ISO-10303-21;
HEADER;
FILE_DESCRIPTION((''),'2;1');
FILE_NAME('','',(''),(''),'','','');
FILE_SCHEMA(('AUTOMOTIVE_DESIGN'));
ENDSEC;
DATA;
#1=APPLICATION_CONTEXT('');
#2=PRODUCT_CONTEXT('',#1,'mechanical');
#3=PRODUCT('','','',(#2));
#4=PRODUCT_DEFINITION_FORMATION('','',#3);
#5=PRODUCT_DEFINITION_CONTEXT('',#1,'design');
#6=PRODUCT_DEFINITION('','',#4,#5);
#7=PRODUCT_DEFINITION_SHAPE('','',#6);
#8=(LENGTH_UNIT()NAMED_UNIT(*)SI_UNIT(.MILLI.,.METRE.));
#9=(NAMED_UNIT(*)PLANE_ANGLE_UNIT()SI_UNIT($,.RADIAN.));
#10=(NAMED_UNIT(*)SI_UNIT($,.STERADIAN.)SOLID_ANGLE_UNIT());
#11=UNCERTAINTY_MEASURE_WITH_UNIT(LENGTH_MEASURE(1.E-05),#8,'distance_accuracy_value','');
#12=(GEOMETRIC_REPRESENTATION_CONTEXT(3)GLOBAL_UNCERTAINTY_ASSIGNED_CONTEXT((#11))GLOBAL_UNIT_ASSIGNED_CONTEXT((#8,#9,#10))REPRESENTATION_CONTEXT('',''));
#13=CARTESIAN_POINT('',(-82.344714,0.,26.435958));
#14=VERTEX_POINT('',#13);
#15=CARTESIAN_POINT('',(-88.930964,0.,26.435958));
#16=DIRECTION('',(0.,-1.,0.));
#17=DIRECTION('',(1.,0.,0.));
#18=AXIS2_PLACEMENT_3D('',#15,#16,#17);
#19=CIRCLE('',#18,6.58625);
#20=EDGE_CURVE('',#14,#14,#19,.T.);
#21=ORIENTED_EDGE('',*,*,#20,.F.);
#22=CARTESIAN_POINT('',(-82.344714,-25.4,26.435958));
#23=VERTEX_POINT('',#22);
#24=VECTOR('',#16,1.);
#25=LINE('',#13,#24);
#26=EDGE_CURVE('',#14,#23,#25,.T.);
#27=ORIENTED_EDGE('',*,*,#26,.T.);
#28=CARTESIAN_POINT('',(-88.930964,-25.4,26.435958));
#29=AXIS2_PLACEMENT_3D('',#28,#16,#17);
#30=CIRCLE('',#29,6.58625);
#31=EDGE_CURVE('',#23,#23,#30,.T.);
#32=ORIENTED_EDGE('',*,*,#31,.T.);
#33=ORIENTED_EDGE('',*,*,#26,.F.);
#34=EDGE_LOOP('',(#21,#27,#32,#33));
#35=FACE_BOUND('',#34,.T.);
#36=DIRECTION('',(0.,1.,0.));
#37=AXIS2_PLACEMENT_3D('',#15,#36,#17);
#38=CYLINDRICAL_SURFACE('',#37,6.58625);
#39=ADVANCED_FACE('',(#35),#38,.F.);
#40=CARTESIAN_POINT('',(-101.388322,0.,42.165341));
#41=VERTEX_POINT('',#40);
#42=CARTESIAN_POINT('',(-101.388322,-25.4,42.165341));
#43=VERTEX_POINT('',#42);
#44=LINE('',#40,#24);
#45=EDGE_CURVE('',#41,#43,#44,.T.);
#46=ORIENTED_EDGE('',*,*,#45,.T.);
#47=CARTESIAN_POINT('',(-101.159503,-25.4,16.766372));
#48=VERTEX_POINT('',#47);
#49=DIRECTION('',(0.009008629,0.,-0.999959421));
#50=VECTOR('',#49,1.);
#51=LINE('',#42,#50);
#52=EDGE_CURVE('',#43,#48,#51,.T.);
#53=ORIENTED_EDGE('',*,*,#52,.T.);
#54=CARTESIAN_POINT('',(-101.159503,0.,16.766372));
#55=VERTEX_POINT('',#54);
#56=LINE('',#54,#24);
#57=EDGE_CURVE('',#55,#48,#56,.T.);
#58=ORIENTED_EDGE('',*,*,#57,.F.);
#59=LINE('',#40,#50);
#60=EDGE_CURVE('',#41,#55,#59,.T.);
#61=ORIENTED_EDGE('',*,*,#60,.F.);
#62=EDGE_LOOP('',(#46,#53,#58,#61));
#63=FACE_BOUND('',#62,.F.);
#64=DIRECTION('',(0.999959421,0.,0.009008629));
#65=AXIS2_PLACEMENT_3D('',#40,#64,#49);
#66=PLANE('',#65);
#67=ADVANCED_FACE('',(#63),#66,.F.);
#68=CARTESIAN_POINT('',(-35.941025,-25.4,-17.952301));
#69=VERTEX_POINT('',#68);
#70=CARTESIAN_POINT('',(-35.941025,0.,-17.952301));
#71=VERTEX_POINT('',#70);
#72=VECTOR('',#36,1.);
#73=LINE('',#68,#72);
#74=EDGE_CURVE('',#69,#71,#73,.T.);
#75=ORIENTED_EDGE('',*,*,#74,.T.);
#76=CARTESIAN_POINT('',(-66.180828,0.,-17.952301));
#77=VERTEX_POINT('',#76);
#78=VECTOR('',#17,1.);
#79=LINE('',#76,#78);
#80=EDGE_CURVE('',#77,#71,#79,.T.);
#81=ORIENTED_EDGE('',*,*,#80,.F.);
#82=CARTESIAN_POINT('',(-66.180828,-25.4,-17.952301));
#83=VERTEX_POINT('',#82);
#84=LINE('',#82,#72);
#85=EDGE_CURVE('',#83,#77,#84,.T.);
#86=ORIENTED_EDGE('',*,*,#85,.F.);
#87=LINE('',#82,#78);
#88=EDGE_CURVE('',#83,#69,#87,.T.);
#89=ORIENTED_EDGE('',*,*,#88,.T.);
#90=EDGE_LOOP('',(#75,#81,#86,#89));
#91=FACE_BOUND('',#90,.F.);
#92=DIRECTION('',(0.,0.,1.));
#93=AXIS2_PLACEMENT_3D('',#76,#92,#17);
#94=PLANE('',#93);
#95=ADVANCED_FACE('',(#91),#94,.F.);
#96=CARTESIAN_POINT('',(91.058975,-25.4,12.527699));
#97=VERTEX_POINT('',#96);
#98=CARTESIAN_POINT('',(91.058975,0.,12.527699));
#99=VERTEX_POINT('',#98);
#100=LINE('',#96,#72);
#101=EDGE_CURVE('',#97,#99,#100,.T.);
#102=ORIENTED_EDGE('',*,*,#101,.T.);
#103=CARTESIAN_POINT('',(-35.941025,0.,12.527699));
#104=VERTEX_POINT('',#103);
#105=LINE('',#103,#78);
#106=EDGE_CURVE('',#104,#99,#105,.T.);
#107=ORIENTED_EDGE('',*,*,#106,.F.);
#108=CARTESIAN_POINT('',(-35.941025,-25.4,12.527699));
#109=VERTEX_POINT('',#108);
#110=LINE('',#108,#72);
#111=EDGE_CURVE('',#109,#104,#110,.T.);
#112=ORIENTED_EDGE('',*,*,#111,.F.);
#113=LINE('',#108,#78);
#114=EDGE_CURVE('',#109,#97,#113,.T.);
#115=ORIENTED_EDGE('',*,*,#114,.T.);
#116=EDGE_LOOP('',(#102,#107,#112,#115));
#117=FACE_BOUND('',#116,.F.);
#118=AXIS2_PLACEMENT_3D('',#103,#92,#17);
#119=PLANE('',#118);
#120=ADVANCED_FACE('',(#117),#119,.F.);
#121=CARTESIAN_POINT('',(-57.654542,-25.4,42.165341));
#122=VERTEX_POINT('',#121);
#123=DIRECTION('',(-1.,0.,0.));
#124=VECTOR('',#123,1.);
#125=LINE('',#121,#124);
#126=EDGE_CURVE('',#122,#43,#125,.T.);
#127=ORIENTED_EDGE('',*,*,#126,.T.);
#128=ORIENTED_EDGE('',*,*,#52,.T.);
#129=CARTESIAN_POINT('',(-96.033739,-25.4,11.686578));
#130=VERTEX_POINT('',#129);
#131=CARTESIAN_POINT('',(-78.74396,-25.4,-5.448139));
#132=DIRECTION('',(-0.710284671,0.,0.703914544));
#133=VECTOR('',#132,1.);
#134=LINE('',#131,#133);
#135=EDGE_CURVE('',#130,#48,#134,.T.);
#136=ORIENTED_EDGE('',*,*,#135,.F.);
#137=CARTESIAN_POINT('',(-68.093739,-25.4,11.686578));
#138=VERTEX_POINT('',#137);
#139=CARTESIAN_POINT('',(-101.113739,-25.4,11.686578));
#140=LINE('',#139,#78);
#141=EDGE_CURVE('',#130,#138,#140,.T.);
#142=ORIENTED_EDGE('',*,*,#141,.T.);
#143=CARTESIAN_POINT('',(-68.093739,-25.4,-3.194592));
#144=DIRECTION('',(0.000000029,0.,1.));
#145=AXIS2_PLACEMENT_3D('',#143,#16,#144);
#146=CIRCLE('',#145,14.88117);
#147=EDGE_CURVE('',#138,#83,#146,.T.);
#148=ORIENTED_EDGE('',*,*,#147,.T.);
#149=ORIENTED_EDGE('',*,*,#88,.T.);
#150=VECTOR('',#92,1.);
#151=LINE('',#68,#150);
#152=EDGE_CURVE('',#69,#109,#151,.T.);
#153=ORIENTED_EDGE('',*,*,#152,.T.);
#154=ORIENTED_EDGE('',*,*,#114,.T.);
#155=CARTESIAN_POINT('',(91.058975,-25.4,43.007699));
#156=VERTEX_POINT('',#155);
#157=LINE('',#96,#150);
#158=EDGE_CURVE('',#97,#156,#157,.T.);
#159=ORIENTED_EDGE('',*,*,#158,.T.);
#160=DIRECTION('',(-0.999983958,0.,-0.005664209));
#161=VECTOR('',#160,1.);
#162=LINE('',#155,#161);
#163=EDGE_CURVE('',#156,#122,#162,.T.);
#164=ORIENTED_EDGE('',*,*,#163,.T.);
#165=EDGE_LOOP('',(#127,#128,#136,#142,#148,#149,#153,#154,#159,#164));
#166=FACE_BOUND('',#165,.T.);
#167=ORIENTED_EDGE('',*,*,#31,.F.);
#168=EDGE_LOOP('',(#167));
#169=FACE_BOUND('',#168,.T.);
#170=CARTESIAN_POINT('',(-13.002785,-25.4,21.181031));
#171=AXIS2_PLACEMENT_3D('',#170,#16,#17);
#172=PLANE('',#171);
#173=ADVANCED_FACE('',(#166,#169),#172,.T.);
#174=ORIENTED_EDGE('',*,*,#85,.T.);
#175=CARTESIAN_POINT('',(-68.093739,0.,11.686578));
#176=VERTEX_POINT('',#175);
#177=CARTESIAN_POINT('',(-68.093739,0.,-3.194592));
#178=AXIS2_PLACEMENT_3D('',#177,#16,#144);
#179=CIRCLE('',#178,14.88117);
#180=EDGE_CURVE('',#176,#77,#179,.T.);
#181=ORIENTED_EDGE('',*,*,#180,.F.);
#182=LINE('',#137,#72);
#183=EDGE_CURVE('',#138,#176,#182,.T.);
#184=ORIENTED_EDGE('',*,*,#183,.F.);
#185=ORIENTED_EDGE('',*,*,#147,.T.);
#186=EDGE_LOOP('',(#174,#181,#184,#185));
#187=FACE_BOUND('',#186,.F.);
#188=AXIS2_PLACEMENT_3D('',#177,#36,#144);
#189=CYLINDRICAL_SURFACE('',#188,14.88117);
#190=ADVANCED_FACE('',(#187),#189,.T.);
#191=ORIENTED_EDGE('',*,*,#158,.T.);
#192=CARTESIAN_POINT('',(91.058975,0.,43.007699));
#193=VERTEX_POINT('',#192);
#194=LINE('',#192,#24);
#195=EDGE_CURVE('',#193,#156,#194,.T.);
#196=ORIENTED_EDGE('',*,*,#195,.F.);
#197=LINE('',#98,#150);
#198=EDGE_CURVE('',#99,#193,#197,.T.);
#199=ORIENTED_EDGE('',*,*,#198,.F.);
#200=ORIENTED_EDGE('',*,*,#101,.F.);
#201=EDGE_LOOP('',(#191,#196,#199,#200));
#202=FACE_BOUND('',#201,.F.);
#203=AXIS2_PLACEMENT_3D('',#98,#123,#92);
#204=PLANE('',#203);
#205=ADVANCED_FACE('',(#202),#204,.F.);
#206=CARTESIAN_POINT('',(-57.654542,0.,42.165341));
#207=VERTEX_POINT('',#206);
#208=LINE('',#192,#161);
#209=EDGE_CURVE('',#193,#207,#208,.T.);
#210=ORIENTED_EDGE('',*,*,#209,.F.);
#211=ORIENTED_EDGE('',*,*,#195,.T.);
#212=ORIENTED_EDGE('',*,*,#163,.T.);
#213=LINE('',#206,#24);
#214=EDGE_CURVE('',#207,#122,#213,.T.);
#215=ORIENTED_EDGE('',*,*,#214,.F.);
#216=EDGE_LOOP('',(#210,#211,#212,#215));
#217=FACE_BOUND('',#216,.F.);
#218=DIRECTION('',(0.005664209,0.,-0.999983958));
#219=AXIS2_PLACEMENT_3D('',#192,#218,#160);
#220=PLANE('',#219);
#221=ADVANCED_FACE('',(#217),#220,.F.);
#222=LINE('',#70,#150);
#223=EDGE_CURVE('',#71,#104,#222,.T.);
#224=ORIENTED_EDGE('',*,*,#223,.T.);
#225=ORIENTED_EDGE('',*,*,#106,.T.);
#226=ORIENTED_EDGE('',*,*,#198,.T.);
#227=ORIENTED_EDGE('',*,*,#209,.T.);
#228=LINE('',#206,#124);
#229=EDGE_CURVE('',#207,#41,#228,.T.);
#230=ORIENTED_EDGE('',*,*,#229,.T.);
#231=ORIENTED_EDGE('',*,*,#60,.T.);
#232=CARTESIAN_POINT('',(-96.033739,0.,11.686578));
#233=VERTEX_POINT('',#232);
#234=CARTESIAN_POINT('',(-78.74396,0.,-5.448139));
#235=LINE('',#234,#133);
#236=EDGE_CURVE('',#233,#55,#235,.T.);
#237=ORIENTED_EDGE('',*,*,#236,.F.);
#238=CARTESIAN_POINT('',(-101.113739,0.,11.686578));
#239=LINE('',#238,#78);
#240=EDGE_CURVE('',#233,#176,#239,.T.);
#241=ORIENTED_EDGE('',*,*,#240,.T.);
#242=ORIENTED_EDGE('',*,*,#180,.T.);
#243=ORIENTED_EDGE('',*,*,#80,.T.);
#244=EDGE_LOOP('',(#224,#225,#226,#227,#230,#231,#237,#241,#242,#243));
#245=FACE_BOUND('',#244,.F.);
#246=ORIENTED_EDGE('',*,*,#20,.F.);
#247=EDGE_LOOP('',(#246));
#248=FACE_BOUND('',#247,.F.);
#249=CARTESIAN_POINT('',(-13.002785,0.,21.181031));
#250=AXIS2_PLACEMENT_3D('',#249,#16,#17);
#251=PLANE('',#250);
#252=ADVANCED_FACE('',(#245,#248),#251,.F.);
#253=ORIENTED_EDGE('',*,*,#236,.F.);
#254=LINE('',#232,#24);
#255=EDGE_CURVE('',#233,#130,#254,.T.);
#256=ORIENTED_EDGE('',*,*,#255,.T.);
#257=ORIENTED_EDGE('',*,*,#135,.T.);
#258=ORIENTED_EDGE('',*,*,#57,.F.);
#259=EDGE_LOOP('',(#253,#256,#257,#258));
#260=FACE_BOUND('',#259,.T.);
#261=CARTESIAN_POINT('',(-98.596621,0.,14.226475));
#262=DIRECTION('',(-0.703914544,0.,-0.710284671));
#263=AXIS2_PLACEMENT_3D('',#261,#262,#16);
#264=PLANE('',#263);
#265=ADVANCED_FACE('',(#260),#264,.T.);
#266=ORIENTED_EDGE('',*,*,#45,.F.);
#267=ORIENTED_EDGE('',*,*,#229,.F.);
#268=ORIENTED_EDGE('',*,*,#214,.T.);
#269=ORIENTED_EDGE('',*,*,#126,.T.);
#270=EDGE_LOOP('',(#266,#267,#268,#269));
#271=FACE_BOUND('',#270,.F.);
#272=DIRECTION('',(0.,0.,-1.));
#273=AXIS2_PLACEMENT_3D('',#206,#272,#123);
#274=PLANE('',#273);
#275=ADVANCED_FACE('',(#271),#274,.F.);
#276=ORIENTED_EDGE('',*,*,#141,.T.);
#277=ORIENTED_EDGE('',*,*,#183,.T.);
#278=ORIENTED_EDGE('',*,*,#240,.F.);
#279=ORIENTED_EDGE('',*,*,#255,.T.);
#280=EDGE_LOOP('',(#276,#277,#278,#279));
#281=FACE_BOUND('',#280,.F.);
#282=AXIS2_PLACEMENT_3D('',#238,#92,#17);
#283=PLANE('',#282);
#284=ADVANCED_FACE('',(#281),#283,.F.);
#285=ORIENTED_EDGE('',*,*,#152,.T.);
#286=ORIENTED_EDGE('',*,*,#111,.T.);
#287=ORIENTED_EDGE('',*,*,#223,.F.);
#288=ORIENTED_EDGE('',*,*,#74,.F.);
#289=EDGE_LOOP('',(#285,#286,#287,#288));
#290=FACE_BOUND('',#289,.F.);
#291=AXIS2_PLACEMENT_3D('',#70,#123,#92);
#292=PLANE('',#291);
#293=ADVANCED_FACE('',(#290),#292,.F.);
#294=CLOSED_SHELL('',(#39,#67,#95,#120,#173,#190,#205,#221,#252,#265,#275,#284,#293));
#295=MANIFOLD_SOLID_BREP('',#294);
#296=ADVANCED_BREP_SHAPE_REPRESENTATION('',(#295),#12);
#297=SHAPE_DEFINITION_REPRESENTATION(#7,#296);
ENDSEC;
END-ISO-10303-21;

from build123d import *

# Parameters (mm, degrees)
F0_R     = 6.58625
F1_DEPTH = 21.082
F2_DEPTH = 25.4
F3_SIZE  = 5.08


with BuildPart() as f1:
    # F0 (on Front) → F1 (new body)
    with BuildSketch(Plane.XZ):
        with BuildLine():
            Line((91.058975, 12.527699), (91.058975, 43.007699))
            Line((91.058975, 43.007699), (-57.654542, 42.165341))
            Line((-57.654542, 42.165341), (-101.388322, 42.165341))
            Line((-101.388322, 42.165341), (-101.113739, 11.686578))
            Line((-101.113739, 11.686578), (-68.093739, 11.686578))
            ThreePointArc((-68.093739, 11.686578), (-82.944012, -4.153037), (-66.180828, -17.952301))
            Line((-66.180828, -17.952301), (-35.941025, -17.952301))
            Line((-35.941025, -17.952301), (-35.941025, 12.527699))
            Line((-35.941025, 12.527699), (91.058975, 12.527699))
        make_face()
        with Locations((-88.930964, 26.435958)):
            Circle(F0_R, mode=Mode.SUBTRACT)
    extrude(amount=F1_DEPTH)

    # F0 (on Front) → F2 (join)
    with BuildSketch(Plane.XZ):
        with BuildLine():
            Line((91.058975, 12.527699), (91.058975, 43.007699))
            Line((91.058975, 43.007699), (-57.654542, 42.165341))
            Line((-57.654542, 42.165341), (-101.388322, 42.165341))
            Line((-101.388322, 42.165341), (-101.113739, 11.686578))
            Line((-101.113739, 11.686578), (-68.093739, 11.686578))
            ThreePointArc((-68.093739, 11.686578), (-82.944012, -4.153037), (-66.180828, -17.952301))
            Line((-66.180828, -17.952301), (-35.941025, -17.952301))
            Line((-35.941025, -17.952301), (-35.941025, 12.527699))
            Line((-35.941025, 12.527699), (91.058975, 12.527699))
        make_face()
        with Locations((-88.930964, 26.435958)):
            Circle(F0_R, mode=Mode.SUBTRACT)
    extrude(amount=F2_DEPTH)

    # F3
    f3_edges = [f1.edges().sort_by_distance(p)[0] for p in [
        (-101.113739, -12.7, 11.686578),
    ]]
    chamfer(f3_edges, length=F3_SIZE)


solid = f1.part
